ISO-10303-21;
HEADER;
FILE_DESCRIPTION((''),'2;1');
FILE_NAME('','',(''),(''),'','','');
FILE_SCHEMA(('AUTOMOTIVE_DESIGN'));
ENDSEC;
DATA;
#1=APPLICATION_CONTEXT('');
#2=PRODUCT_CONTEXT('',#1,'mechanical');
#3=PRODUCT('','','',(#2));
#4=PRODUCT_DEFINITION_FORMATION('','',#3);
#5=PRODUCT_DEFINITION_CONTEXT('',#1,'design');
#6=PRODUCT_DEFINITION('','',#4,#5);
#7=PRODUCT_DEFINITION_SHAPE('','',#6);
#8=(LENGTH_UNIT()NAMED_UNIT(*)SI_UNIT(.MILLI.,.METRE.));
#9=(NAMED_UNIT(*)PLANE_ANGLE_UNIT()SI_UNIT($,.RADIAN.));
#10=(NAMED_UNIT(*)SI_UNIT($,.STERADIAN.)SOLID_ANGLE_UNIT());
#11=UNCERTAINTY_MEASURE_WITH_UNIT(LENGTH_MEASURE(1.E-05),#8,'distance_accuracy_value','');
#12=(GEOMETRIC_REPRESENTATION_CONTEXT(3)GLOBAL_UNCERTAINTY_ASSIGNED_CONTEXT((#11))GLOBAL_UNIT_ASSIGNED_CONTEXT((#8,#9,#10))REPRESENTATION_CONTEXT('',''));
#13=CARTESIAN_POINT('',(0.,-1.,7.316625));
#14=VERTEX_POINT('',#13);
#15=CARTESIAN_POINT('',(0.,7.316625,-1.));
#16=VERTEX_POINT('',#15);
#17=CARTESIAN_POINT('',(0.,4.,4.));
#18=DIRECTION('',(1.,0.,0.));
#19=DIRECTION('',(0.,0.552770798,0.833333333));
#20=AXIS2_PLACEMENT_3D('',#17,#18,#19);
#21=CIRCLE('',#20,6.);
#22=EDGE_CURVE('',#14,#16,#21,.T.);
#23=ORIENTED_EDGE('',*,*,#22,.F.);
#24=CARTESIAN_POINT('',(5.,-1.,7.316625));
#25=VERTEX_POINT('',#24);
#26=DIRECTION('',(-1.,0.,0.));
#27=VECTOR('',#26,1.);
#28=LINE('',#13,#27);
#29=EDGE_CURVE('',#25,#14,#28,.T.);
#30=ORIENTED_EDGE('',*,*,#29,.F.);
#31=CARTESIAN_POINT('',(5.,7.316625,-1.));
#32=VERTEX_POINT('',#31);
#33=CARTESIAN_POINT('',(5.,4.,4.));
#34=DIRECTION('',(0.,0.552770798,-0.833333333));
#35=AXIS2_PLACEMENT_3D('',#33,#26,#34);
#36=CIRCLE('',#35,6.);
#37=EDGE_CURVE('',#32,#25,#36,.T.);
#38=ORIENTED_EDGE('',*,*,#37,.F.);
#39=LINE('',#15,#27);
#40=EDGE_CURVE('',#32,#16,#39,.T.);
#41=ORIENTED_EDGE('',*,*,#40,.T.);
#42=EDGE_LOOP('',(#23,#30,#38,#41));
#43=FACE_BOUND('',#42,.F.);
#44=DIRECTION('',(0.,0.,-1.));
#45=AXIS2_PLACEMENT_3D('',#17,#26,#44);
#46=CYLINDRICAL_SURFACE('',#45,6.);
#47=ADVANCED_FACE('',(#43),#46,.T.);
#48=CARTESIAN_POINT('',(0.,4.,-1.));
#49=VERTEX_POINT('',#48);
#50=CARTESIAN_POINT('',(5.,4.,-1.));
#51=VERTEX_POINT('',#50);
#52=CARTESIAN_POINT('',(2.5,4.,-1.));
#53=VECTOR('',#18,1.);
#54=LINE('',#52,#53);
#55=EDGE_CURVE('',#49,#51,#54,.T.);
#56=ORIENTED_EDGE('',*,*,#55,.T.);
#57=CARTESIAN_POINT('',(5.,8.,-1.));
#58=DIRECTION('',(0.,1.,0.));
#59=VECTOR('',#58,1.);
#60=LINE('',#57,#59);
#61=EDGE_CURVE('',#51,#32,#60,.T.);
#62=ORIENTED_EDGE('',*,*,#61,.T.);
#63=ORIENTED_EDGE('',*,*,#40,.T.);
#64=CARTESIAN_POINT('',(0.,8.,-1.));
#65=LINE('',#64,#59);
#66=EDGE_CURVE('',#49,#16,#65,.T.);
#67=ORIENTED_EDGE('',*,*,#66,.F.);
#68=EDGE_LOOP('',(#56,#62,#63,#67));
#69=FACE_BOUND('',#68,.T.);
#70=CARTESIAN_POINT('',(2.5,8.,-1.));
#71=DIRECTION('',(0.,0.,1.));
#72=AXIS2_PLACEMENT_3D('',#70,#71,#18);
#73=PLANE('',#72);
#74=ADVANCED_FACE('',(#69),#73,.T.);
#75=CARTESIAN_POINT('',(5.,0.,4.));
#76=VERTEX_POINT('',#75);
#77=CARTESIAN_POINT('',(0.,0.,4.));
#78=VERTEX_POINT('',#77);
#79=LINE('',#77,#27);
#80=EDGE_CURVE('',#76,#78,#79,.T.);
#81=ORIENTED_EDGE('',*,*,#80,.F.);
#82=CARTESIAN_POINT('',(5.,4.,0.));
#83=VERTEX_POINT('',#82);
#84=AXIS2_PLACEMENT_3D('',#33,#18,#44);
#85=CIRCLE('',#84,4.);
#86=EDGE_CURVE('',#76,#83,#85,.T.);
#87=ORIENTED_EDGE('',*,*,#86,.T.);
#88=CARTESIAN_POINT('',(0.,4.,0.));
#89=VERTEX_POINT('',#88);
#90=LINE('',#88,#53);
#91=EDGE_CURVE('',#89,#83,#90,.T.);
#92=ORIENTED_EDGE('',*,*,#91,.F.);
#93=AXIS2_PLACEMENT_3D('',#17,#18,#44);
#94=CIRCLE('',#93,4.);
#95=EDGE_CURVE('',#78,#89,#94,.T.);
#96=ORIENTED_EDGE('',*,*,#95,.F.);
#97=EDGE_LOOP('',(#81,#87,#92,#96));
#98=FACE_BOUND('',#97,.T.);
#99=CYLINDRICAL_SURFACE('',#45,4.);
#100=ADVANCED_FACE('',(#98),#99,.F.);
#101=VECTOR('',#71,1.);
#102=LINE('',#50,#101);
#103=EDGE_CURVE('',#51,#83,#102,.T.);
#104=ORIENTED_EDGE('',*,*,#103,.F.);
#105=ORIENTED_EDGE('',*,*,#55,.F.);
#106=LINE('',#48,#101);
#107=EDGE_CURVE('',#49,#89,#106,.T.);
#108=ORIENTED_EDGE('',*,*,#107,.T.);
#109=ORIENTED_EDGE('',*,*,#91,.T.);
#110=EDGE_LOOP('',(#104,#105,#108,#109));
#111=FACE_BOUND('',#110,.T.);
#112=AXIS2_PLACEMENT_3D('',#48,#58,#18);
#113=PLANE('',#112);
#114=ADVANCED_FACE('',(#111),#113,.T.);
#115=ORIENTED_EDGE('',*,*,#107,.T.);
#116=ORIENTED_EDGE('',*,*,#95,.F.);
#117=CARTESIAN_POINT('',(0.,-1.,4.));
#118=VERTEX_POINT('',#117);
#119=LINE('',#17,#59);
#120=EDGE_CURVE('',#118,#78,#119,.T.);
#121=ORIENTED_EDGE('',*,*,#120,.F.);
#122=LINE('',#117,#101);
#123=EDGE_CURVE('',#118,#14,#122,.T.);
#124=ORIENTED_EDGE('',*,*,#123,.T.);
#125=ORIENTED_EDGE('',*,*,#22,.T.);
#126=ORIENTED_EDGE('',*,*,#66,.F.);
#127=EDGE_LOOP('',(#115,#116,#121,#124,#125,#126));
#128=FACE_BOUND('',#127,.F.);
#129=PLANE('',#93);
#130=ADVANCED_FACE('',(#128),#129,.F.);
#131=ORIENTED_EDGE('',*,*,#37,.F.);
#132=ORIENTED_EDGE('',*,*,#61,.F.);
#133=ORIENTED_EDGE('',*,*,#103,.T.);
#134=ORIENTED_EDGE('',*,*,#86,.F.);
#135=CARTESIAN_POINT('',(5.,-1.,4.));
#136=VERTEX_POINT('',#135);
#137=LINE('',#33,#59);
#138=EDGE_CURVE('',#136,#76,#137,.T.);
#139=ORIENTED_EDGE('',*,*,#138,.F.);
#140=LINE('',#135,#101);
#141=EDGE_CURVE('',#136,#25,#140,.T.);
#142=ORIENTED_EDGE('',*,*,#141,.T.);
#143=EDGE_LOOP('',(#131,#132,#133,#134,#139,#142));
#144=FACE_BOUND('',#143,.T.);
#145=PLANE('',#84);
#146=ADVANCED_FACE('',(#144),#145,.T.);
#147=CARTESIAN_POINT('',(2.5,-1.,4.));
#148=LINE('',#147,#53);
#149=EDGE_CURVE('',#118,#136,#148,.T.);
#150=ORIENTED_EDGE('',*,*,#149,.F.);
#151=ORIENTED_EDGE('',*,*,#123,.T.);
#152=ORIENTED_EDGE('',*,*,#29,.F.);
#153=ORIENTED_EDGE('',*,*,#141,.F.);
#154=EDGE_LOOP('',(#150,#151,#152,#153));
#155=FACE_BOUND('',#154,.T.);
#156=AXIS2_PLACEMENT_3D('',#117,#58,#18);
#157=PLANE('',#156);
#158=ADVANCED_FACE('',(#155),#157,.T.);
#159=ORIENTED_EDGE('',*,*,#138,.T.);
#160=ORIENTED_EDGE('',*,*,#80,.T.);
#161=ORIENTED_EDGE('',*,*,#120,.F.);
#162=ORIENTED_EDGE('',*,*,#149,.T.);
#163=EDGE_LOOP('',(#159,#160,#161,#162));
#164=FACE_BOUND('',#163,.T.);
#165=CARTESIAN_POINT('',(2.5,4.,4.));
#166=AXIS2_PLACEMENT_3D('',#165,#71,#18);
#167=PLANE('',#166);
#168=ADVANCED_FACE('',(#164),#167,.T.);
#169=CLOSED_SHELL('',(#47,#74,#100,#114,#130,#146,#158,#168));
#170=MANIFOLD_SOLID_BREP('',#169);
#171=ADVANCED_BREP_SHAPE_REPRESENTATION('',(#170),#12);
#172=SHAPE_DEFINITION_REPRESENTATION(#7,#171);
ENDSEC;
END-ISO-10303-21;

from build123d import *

# Parameters (mm, degrees)
BOX030_W      = 5
BOX030_H      = 10
BOX030_DEPTH  = 8
BOX029_W      = 5
BOX029_H      = 8
BOX029_DEPTH  = 10
TUBE012_R     = 6
TUBE012_R_2   = 4
TUBE012_DEPTH = 5


with BuildPart() as cube030:
    # Box030 → Box030 (new body)
    with BuildSketch(Plane(origin=(0, -2, 3), x_dir=(1, 0, 0), z_dir=(0, 0, 1))):
        with Locations((2.5, 5)):
            Rectangle(BOX030_W, BOX030_H)
    extrude(amount=BOX030_DEPTH)


with BuildPart() as cube029:
    # Box029 → Box029 (new body)
    with BuildSketch(Plane(origin=(0, 3, -2), x_dir=(1, 0, 0), z_dir=(0, 0, 1))):
        with Locations((2.5, 4)):
            Rectangle(BOX029_W, BOX029_H)
    extrude(amount=BOX029_DEPTH)


with BuildPart() as cut034:
    # Tube012 → Tube012 (new body)
    with BuildSketch(Plane(origin=(0, 3, 3), x_dir=(0, 0, -1), z_dir=(1, 0, 0))):
        Circle(TUBE012_R)
        Circle(TUBE012_R_2, mode=Mode.SUBTRACT)
    extrude(amount=TUBE012_DEPTH)

    # Cut033: cut Cube029
    add(cube029.part, mode=Mode.SUBTRACT)

    # Cut034: cut Cube030
    add(cube030.part, mode=Mode.SUBTRACT)


with BuildPart() as cut034_1:
    # Cut034 placement: moved
    add(cut034.part.moved(Location((0, 1, 1))))


solid = cut034_1.part
